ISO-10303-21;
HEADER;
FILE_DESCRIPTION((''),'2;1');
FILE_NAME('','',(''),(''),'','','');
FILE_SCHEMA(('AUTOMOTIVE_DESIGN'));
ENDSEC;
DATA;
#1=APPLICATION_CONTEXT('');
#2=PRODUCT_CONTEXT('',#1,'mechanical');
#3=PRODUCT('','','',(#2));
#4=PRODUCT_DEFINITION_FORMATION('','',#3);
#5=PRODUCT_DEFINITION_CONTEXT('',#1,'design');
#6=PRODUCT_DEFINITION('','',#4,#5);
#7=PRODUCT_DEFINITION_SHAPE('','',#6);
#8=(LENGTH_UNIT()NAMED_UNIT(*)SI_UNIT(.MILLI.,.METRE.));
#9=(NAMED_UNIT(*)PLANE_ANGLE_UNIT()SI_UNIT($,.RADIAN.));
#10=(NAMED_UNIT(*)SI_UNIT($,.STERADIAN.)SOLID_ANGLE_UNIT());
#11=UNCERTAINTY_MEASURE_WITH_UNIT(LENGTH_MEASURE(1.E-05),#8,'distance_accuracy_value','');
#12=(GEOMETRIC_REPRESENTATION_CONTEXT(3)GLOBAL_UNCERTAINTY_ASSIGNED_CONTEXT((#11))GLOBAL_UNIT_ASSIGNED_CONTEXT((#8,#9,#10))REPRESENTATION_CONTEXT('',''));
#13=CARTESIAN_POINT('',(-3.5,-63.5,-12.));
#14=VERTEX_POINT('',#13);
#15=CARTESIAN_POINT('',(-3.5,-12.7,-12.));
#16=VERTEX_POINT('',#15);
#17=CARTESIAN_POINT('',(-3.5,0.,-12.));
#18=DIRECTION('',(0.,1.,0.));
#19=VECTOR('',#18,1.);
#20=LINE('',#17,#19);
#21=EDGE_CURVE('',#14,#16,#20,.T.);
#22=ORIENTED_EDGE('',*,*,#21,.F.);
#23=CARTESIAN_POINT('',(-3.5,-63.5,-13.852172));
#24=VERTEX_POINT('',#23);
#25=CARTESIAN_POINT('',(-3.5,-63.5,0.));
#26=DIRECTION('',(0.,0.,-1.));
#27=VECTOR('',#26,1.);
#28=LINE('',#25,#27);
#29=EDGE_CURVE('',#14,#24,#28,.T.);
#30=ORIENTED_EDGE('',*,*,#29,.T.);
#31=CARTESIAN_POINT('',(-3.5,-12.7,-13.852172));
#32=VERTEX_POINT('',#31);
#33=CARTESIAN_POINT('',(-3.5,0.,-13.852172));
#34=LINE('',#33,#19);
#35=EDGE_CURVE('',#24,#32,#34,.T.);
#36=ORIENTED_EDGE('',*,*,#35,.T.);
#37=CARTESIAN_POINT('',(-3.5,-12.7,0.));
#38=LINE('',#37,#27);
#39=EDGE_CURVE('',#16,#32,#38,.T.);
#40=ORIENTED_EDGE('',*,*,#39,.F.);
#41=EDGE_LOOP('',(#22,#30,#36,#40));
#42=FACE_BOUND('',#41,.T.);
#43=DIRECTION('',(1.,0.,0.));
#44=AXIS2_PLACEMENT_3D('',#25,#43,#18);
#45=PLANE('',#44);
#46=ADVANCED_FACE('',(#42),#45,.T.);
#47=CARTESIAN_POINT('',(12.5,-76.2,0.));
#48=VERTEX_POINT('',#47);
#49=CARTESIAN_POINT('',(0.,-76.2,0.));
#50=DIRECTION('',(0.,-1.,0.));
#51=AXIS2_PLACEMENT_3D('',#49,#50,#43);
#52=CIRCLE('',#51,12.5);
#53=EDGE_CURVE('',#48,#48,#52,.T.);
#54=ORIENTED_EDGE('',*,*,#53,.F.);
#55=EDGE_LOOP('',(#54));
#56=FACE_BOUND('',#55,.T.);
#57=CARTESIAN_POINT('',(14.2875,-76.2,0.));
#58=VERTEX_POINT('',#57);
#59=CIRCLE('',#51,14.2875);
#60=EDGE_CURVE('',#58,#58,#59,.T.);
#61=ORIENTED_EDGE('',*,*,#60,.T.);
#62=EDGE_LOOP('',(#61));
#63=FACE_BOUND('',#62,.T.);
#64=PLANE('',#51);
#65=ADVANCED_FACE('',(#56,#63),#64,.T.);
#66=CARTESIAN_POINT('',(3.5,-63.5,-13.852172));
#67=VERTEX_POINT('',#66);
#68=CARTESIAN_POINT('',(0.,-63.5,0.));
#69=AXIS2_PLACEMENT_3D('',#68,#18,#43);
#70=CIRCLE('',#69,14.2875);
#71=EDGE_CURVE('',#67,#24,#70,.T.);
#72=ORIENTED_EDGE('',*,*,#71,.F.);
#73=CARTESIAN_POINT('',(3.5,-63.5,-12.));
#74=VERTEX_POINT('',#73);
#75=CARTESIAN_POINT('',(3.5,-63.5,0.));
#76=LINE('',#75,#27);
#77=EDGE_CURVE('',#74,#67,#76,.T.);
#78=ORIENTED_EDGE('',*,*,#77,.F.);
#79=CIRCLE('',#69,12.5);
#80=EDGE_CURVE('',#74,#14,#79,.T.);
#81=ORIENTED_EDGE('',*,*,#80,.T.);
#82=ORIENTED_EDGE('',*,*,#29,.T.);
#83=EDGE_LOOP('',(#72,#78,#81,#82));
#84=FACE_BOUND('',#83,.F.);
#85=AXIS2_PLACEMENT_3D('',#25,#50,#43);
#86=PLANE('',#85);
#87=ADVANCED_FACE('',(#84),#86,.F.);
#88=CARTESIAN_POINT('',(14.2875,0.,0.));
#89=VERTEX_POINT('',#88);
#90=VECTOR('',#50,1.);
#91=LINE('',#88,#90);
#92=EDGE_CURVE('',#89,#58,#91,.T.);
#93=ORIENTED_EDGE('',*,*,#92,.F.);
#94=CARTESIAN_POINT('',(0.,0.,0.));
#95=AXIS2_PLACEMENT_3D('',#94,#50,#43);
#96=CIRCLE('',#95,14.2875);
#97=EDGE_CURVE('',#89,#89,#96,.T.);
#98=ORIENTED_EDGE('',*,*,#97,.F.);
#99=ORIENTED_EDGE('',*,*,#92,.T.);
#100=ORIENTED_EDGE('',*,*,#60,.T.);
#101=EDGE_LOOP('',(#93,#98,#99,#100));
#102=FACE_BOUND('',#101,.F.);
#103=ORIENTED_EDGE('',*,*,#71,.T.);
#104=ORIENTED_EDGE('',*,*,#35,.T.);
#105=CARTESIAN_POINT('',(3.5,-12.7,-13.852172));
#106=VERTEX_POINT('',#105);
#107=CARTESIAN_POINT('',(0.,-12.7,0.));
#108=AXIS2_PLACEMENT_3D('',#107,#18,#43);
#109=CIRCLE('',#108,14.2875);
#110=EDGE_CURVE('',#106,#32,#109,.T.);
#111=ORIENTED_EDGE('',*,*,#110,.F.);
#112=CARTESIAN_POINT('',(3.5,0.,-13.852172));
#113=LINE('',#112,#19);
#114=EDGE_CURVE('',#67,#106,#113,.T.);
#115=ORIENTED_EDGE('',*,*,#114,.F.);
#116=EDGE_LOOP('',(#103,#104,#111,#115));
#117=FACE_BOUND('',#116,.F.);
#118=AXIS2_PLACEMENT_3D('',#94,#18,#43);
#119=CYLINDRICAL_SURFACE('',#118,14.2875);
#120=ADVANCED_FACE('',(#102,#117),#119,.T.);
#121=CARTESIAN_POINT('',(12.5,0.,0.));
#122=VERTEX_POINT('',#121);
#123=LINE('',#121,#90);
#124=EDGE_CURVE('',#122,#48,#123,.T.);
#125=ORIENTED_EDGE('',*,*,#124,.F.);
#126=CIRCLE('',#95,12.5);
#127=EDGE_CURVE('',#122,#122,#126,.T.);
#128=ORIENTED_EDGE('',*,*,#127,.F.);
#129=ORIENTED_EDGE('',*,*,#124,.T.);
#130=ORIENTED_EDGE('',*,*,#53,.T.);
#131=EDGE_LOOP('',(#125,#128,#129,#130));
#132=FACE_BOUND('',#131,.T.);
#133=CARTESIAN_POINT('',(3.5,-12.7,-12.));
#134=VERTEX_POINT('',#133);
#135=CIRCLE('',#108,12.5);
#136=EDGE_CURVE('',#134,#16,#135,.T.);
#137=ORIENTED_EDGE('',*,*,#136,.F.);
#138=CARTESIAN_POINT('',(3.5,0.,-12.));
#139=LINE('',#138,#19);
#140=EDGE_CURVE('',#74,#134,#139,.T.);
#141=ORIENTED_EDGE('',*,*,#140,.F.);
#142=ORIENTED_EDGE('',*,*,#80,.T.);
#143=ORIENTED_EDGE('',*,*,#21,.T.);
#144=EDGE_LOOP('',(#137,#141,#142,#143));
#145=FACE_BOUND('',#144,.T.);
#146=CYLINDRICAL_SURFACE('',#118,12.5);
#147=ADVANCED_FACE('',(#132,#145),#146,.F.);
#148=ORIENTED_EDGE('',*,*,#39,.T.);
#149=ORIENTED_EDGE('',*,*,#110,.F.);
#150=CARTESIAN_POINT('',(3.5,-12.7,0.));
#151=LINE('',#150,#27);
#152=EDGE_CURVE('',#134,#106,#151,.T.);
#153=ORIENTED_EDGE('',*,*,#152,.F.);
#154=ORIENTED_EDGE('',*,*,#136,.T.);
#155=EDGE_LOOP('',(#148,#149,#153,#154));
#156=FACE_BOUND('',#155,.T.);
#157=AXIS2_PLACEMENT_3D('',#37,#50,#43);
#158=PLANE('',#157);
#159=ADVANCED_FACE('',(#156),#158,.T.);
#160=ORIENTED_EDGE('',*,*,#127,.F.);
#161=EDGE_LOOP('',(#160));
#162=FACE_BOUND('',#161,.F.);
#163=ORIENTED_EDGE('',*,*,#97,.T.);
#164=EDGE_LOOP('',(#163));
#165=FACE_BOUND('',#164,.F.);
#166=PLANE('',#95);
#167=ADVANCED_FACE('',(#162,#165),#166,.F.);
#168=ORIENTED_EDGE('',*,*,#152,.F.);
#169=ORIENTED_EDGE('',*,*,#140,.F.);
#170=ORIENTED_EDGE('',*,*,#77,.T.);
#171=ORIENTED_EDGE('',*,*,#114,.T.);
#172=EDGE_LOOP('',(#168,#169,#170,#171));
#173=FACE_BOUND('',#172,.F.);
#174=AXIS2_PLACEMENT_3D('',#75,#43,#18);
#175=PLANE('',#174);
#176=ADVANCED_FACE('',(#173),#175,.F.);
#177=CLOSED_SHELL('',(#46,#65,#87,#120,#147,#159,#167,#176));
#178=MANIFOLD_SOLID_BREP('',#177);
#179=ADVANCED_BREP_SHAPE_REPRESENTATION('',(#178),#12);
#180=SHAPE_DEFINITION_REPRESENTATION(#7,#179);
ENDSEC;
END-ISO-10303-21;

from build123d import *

# Parameters (mm, degrees)
F0_R     = 14.2875
F0_R_2   = 12.5
F1_DEPTH = 76.2
F2_W     = 7
F2_H     = 50.8
F3_DEPTH = 14.2885


with BuildPart() as f1:
    # F0 (on Front) → F1 (new body)
    with BuildSketch(Plane.XZ):
        Circle(F0_R)
        Circle(F0_R_2, mode=Mode.SUBTRACT)
    extrude(amount=F1_DEPTH)

    # F2 (on Top) → F3 (cut, through all)
    with BuildSketch(Plane.XY):
        with Locations((0, -38.1)):
            Rectangle(F2_W, F2_H)
    extrude(amount=-F3_DEPTH, mode=Mode.SUBTRACT)


solid = f1.part
